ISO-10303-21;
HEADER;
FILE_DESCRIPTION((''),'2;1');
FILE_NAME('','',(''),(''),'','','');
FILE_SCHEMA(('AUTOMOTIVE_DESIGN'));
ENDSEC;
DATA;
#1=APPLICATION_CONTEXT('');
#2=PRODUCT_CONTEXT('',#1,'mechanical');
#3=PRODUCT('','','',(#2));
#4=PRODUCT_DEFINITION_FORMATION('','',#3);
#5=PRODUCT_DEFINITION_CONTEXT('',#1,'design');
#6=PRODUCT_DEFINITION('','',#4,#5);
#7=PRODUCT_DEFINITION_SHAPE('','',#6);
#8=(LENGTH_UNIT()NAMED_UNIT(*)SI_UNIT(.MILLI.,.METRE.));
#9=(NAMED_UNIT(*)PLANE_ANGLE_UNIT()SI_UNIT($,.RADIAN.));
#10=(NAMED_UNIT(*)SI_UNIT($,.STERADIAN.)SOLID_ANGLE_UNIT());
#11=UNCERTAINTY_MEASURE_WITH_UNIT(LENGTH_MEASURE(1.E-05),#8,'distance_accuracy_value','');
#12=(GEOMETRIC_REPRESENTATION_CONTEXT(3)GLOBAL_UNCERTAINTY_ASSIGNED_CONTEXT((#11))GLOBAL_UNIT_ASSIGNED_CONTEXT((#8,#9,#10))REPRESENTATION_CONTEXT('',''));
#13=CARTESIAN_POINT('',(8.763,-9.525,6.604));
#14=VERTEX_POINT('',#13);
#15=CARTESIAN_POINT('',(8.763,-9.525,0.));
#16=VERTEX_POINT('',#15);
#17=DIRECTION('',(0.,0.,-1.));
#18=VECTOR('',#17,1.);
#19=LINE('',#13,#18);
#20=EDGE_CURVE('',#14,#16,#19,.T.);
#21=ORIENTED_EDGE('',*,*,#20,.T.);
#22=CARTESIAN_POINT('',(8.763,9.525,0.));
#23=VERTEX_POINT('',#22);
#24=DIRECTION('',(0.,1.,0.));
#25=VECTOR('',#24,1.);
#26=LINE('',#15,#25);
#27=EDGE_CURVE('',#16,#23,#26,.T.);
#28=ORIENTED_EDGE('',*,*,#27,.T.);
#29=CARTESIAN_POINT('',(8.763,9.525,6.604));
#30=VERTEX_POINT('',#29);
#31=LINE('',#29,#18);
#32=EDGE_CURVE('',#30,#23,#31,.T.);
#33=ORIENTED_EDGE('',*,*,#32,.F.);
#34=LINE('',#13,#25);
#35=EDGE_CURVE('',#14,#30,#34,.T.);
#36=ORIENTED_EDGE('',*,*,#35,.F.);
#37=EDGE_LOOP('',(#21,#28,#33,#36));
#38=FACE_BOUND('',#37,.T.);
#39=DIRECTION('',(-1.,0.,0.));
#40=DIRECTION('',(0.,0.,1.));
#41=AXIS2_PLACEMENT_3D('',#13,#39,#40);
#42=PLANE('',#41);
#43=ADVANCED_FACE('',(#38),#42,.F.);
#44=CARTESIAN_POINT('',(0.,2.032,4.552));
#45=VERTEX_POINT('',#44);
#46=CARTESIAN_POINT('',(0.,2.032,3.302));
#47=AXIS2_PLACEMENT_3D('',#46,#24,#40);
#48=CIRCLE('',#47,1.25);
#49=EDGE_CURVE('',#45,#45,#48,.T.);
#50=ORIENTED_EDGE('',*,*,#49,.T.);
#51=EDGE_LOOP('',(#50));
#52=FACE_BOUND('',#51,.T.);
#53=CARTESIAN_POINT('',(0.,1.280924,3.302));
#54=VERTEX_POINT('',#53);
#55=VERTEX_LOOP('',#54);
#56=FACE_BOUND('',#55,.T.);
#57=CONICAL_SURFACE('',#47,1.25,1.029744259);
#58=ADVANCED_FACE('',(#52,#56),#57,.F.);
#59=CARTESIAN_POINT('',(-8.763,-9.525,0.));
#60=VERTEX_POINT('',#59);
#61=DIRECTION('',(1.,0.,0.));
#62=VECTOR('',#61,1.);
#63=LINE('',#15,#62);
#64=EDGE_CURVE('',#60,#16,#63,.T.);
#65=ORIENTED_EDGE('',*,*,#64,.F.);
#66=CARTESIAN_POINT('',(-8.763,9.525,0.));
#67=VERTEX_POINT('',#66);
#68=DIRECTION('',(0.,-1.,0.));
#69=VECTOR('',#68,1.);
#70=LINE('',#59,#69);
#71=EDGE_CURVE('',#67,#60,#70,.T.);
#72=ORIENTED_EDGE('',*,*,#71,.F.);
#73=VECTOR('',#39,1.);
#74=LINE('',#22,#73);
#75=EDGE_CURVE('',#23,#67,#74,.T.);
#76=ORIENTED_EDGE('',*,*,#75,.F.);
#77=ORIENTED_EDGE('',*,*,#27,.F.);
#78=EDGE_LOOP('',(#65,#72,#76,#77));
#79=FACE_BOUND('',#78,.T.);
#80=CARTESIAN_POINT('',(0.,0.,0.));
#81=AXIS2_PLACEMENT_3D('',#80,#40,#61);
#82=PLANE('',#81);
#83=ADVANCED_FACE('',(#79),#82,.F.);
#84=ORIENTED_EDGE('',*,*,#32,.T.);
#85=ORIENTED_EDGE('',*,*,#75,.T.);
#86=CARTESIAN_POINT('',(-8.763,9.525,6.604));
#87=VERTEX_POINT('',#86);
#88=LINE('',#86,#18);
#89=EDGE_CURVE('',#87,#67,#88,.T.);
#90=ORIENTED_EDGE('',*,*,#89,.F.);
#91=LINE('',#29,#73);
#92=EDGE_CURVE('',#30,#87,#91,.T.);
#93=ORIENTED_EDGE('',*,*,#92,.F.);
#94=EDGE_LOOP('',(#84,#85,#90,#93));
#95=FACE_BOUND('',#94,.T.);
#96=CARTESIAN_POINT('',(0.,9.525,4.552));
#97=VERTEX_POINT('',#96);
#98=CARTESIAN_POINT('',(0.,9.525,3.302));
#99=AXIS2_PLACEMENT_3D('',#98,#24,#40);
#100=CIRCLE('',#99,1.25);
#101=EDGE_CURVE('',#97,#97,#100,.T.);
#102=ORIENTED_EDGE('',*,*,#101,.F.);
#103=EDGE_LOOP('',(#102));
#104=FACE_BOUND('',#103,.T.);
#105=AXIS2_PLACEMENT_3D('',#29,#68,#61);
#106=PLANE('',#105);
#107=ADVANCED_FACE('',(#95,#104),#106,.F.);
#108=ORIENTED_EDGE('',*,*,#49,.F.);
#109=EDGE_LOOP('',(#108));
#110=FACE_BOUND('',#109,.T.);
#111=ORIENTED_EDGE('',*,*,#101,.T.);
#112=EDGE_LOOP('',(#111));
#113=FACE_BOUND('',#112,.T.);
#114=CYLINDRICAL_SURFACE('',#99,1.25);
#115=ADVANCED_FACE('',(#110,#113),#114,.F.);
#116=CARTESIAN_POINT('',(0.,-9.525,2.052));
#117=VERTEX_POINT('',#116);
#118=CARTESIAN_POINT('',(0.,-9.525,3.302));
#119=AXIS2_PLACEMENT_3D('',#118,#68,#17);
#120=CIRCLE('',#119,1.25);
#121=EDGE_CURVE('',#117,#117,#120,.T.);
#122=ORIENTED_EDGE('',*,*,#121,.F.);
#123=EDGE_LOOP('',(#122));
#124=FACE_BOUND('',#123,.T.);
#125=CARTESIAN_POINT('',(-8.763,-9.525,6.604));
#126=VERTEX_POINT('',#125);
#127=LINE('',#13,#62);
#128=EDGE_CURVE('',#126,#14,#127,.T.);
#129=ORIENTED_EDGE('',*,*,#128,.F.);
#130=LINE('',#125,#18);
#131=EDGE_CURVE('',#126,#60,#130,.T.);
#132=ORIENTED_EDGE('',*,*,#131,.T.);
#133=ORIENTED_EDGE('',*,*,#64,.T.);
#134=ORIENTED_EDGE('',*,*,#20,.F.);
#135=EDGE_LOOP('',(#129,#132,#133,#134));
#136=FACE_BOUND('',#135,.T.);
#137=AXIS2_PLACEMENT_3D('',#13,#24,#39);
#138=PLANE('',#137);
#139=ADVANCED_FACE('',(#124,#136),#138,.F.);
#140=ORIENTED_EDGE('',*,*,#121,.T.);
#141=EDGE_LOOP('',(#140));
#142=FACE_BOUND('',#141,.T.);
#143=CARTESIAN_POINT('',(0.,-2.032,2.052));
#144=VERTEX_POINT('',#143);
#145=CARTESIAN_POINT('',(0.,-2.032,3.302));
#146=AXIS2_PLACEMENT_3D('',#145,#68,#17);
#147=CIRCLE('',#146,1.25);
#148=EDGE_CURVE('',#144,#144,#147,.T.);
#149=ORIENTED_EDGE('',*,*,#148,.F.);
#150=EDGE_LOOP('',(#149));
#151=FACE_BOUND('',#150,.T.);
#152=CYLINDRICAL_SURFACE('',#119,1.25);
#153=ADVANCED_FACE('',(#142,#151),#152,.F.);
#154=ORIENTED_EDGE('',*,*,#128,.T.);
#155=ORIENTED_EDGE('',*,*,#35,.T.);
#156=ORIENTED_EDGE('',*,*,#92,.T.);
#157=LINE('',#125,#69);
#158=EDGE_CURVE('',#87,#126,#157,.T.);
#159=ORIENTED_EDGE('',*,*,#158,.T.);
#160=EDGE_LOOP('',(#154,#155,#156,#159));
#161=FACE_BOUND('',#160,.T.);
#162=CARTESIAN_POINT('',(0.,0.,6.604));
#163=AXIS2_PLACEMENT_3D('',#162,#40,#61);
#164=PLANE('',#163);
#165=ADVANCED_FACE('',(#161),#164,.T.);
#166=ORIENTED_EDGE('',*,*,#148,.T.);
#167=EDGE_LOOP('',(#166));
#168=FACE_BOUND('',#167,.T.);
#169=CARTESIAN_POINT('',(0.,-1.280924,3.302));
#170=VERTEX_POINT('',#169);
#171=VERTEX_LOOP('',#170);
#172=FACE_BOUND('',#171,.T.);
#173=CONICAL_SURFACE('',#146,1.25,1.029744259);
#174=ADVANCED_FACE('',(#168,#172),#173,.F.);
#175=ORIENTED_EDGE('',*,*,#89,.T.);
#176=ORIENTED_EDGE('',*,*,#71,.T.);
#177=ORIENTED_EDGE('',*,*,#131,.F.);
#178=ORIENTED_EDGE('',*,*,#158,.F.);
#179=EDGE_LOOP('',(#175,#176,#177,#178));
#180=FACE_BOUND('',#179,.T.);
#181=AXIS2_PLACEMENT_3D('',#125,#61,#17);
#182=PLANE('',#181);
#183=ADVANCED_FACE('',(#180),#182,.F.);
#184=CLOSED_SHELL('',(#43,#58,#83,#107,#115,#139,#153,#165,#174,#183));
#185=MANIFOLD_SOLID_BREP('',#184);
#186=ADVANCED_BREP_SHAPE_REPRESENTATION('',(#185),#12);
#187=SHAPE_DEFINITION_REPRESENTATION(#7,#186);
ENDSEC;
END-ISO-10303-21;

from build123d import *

# Parameters (mm, degrees)
SKETCH1_W                 = 17.526
SKETCH1_H                 = 19.05
BOSS_EXTRUDE1_DEPTH       = 6.604
M3X0_5_TAPPED_HOLE1_D     = 2.5
M3X0_5_TAPPED_HOLE1_DEPTH = 7.493
M3X0_5_TAPPED_HOLE1_TIP   = 0.751075774
M3X0_5_TAPPED_HOLE2_D     = 2.5
M3X0_5_TAPPED_HOLE2_DEPTH = 7.493
M3X0_5_TAPPED_HOLE2_TIP   = 0.751075774


with BuildPart() as part:
    # Sketch1 → Boss-Extrude1 (new body)
    with BuildSketch(Plane.XY):
        Rectangle(SKETCH1_W, SKETCH1_H)
    extrude(amount=BOSS_EXTRUDE1_DEPTH)

    # M3x0.5 Tapped Hole1
    with Locations(Plane(origin=(0, 9.525, 0), x_dir=(1, 0, 0), z_dir=(0, 1, 0))):
        with Locations((0, -3.302)):
            Hole(M3X0_5_TAPPED_HOLE1_D / 2, depth=M3X0_5_TAPPED_HOLE1_DEPTH)
            with Locations((0, 0, -(M3X0_5_TAPPED_HOLE1_DEPTH + M3X0_5_TAPPED_HOLE1_TIP / 2))):  # 118° drill point
                Cone(0, M3X0_5_TAPPED_HOLE1_D / 2, M3X0_5_TAPPED_HOLE1_TIP, mode=Mode.SUBTRACT)

    # M3x0.5 Tapped Hole2
    with Locations(Plane(origin=(0, -9.525, 0), x_dir=(-1, 0, 0), z_dir=(0, -1, 0))):
        with Locations((0, -3.302)):
            Hole(M3X0_5_TAPPED_HOLE2_D / 2, depth=M3X0_5_TAPPED_HOLE2_DEPTH)
            with Locations((0, 0, -(M3X0_5_TAPPED_HOLE2_DEPTH + M3X0_5_TAPPED_HOLE2_TIP / 2))):  # 118° drill point
                Cone(0, M3X0_5_TAPPED_HOLE2_D / 2, M3X0_5_TAPPED_HOLE2_TIP, mode=Mode.SUBTRACT)


solid = part.part
